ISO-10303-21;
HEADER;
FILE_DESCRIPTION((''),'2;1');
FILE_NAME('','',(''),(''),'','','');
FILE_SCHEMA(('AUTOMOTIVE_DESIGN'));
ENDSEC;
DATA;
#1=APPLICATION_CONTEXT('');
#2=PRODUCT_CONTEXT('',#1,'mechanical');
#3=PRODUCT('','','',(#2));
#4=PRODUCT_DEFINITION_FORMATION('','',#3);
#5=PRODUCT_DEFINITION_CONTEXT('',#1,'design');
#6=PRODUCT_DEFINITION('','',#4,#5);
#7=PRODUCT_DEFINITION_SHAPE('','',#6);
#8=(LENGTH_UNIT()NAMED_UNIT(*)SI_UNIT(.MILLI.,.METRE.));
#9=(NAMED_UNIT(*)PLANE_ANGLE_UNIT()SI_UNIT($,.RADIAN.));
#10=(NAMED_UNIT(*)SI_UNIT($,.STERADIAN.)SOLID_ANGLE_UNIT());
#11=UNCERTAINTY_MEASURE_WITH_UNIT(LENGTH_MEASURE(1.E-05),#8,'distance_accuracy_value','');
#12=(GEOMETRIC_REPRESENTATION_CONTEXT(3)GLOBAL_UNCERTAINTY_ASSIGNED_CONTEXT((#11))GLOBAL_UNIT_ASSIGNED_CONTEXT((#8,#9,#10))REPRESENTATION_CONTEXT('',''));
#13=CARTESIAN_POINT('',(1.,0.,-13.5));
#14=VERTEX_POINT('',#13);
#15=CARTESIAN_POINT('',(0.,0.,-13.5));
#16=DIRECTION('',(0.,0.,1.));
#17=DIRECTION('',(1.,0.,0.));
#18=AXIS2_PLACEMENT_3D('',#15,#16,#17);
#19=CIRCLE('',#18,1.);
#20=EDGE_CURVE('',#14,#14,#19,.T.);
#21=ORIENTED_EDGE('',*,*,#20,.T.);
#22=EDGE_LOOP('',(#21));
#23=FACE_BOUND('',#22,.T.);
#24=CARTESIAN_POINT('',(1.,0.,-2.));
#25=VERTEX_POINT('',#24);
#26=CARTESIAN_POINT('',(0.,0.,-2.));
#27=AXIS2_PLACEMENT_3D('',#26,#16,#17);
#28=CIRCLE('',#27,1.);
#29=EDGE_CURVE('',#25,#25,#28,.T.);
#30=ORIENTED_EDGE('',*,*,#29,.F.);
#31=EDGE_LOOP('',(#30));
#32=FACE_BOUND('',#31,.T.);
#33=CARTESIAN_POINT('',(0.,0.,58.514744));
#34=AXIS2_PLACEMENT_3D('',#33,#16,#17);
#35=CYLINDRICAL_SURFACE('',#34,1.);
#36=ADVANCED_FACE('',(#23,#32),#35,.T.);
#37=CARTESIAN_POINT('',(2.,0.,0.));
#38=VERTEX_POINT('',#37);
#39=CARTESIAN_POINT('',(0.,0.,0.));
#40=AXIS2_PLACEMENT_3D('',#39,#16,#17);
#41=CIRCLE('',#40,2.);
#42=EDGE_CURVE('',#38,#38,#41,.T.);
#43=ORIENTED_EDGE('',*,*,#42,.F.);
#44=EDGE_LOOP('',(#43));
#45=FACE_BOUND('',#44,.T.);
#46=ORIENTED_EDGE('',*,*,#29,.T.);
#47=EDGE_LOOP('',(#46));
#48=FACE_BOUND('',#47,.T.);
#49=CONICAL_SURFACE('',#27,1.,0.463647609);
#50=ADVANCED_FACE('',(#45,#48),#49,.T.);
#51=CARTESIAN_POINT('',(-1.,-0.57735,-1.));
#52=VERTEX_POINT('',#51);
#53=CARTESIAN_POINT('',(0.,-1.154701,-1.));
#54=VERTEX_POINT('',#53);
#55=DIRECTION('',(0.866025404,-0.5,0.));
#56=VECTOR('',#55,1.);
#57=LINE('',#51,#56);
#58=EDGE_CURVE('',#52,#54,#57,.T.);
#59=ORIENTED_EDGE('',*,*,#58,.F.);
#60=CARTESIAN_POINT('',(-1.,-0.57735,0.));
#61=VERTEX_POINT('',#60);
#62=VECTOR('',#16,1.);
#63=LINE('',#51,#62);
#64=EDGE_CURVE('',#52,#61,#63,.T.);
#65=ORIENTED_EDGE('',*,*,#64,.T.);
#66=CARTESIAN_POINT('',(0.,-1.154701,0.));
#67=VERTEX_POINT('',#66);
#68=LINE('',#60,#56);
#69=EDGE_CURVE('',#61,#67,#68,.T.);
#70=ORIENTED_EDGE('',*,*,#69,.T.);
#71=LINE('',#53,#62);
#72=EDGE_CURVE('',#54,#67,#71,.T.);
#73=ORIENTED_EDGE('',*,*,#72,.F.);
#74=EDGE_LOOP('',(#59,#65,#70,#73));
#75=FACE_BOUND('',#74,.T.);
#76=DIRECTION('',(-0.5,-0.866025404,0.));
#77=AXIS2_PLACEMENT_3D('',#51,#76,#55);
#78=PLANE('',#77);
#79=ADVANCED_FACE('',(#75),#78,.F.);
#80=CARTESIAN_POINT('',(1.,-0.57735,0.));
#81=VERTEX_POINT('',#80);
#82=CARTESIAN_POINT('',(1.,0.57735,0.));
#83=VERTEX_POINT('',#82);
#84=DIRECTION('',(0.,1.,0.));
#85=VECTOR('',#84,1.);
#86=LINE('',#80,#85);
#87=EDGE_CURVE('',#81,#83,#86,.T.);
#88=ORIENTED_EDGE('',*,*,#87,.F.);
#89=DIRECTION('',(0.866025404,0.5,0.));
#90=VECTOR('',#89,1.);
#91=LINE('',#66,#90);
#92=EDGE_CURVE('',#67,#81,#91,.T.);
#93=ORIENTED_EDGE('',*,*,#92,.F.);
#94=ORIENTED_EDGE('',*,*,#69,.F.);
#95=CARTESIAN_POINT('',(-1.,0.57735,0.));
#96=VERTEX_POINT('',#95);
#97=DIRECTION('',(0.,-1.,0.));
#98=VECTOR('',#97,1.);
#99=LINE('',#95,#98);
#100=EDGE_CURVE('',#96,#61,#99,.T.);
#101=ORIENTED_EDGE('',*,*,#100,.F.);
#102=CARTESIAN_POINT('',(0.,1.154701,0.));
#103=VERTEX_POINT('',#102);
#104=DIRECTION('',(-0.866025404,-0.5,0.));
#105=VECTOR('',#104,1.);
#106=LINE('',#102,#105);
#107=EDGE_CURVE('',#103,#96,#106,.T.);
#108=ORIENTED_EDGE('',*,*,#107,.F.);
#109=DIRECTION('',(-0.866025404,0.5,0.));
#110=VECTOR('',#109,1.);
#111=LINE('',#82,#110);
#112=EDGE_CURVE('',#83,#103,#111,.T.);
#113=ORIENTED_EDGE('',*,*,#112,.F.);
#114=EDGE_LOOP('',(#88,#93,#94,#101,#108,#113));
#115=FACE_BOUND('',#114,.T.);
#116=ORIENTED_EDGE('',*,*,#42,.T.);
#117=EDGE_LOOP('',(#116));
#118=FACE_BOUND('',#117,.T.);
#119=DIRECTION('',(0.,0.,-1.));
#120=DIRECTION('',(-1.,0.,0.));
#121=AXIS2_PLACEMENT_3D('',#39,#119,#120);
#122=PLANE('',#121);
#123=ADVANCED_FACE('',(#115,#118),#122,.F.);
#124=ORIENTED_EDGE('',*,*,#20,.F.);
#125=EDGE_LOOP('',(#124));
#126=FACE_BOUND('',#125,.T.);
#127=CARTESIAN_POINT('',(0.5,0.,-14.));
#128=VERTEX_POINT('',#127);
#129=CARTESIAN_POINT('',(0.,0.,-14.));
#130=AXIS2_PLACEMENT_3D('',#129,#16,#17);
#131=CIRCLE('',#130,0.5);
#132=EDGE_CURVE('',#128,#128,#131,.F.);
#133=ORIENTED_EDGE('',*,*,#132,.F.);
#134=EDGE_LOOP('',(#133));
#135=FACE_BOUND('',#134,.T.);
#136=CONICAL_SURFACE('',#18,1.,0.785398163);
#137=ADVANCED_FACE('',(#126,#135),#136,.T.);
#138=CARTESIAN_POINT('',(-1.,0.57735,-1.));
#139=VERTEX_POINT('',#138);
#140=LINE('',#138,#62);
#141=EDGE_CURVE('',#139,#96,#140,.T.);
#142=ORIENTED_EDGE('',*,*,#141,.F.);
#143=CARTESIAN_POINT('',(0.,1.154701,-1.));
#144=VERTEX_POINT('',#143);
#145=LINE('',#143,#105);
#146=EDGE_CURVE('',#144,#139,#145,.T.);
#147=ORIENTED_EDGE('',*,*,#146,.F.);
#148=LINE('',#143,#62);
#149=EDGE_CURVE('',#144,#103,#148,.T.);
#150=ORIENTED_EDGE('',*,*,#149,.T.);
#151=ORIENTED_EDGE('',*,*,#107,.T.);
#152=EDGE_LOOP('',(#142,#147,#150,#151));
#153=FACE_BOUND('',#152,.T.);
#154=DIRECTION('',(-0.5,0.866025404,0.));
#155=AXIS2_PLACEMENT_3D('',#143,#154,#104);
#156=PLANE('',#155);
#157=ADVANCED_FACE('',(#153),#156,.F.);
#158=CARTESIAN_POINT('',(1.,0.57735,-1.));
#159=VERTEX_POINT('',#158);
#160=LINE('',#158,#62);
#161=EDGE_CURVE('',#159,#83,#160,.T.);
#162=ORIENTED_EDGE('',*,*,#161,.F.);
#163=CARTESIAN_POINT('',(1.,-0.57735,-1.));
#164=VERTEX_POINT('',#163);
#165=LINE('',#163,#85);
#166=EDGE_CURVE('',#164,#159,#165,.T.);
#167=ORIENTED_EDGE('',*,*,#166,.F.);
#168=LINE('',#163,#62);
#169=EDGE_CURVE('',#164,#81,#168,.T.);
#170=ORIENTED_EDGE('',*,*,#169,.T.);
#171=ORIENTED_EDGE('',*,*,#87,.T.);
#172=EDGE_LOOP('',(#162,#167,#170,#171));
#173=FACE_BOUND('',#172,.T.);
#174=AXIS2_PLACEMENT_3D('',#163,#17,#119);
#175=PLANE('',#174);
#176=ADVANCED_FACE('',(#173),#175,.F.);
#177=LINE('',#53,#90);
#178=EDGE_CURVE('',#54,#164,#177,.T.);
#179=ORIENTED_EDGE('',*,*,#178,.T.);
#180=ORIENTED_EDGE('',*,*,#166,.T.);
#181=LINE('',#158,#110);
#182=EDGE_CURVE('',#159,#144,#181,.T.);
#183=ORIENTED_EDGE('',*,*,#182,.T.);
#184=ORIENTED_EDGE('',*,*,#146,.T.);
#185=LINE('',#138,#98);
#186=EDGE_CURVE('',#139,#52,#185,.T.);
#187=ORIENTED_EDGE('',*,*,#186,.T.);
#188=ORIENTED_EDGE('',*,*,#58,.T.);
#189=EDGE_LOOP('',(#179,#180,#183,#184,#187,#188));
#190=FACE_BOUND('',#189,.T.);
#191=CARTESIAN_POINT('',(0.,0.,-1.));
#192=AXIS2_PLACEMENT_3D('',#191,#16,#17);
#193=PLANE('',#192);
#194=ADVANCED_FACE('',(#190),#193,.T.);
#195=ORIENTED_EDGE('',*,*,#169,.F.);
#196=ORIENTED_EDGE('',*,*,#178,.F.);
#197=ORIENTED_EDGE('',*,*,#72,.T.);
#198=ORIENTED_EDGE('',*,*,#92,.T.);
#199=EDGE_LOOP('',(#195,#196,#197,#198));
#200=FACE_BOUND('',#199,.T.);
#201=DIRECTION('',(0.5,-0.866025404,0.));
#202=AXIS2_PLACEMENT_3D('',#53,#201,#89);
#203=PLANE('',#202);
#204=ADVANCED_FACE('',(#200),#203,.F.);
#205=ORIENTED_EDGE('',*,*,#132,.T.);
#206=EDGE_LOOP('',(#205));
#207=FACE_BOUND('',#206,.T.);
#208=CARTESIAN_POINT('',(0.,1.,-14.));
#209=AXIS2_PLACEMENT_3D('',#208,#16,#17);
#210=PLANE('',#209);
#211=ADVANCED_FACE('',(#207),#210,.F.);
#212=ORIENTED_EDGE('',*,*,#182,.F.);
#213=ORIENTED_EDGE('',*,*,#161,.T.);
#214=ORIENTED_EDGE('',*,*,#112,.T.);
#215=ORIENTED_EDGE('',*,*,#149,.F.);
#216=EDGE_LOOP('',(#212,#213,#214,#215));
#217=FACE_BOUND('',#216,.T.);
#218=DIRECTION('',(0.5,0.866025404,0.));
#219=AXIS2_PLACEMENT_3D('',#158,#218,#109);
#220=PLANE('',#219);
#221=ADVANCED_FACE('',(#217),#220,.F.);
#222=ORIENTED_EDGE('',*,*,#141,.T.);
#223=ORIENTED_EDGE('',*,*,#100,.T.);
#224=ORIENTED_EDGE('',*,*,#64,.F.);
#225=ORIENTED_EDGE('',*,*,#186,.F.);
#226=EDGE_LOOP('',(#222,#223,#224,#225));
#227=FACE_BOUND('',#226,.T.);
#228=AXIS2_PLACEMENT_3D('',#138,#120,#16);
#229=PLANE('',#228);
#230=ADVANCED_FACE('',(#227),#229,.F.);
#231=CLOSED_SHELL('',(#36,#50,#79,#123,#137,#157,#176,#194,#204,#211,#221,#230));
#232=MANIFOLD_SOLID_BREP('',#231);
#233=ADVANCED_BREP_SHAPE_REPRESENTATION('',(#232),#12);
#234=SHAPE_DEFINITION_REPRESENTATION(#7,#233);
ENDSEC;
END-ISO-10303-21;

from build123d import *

# Parameters (mm, degrees)
FOOTPRINT_DEPTH = 1
CHAMFER1_SIZE   = 0.5


with BuildPart() as part:
    # Sketch1 → Body (revolve)
    with BuildSketch(Plane(origin=(0, 0, 0), x_dir=(0, 0, -1), z_dir=(1, 0, 0)), mode=Mode.PRIVATE) as body_sk:
        Polygon((0, 0), (0, 2), (2, 1), (14, 1), (14, 0), align=None)
    revolve(body_sk.sketch.rotate(Axis((0, 0, 58.51474448), (0, 0, -1)), 90), axis=Axis((0, 0, 58.51474448), (0, 0, -1)))

    # Sketch2 → Footprint (cut)
    with BuildSketch(Plane.XY):
        Polygon((0, 1.154700538), (-1, 0.577350269), (-1, -0.577350269), (0, -1.154700538), (1, -0.577350269), (1, 0.577350269), align=None)
    extrude(amount=-FOOTPRINT_DEPTH, mode=Mode.SUBTRACT)

    # Chamfer1
    chamfer1_edges = [part.edges().sort_by_distance(p)[0] for p in [
        (-1, 0, -14),
    ]]
    chamfer(chamfer1_edges, length=CHAMFER1_SIZE)


solid = part.part
